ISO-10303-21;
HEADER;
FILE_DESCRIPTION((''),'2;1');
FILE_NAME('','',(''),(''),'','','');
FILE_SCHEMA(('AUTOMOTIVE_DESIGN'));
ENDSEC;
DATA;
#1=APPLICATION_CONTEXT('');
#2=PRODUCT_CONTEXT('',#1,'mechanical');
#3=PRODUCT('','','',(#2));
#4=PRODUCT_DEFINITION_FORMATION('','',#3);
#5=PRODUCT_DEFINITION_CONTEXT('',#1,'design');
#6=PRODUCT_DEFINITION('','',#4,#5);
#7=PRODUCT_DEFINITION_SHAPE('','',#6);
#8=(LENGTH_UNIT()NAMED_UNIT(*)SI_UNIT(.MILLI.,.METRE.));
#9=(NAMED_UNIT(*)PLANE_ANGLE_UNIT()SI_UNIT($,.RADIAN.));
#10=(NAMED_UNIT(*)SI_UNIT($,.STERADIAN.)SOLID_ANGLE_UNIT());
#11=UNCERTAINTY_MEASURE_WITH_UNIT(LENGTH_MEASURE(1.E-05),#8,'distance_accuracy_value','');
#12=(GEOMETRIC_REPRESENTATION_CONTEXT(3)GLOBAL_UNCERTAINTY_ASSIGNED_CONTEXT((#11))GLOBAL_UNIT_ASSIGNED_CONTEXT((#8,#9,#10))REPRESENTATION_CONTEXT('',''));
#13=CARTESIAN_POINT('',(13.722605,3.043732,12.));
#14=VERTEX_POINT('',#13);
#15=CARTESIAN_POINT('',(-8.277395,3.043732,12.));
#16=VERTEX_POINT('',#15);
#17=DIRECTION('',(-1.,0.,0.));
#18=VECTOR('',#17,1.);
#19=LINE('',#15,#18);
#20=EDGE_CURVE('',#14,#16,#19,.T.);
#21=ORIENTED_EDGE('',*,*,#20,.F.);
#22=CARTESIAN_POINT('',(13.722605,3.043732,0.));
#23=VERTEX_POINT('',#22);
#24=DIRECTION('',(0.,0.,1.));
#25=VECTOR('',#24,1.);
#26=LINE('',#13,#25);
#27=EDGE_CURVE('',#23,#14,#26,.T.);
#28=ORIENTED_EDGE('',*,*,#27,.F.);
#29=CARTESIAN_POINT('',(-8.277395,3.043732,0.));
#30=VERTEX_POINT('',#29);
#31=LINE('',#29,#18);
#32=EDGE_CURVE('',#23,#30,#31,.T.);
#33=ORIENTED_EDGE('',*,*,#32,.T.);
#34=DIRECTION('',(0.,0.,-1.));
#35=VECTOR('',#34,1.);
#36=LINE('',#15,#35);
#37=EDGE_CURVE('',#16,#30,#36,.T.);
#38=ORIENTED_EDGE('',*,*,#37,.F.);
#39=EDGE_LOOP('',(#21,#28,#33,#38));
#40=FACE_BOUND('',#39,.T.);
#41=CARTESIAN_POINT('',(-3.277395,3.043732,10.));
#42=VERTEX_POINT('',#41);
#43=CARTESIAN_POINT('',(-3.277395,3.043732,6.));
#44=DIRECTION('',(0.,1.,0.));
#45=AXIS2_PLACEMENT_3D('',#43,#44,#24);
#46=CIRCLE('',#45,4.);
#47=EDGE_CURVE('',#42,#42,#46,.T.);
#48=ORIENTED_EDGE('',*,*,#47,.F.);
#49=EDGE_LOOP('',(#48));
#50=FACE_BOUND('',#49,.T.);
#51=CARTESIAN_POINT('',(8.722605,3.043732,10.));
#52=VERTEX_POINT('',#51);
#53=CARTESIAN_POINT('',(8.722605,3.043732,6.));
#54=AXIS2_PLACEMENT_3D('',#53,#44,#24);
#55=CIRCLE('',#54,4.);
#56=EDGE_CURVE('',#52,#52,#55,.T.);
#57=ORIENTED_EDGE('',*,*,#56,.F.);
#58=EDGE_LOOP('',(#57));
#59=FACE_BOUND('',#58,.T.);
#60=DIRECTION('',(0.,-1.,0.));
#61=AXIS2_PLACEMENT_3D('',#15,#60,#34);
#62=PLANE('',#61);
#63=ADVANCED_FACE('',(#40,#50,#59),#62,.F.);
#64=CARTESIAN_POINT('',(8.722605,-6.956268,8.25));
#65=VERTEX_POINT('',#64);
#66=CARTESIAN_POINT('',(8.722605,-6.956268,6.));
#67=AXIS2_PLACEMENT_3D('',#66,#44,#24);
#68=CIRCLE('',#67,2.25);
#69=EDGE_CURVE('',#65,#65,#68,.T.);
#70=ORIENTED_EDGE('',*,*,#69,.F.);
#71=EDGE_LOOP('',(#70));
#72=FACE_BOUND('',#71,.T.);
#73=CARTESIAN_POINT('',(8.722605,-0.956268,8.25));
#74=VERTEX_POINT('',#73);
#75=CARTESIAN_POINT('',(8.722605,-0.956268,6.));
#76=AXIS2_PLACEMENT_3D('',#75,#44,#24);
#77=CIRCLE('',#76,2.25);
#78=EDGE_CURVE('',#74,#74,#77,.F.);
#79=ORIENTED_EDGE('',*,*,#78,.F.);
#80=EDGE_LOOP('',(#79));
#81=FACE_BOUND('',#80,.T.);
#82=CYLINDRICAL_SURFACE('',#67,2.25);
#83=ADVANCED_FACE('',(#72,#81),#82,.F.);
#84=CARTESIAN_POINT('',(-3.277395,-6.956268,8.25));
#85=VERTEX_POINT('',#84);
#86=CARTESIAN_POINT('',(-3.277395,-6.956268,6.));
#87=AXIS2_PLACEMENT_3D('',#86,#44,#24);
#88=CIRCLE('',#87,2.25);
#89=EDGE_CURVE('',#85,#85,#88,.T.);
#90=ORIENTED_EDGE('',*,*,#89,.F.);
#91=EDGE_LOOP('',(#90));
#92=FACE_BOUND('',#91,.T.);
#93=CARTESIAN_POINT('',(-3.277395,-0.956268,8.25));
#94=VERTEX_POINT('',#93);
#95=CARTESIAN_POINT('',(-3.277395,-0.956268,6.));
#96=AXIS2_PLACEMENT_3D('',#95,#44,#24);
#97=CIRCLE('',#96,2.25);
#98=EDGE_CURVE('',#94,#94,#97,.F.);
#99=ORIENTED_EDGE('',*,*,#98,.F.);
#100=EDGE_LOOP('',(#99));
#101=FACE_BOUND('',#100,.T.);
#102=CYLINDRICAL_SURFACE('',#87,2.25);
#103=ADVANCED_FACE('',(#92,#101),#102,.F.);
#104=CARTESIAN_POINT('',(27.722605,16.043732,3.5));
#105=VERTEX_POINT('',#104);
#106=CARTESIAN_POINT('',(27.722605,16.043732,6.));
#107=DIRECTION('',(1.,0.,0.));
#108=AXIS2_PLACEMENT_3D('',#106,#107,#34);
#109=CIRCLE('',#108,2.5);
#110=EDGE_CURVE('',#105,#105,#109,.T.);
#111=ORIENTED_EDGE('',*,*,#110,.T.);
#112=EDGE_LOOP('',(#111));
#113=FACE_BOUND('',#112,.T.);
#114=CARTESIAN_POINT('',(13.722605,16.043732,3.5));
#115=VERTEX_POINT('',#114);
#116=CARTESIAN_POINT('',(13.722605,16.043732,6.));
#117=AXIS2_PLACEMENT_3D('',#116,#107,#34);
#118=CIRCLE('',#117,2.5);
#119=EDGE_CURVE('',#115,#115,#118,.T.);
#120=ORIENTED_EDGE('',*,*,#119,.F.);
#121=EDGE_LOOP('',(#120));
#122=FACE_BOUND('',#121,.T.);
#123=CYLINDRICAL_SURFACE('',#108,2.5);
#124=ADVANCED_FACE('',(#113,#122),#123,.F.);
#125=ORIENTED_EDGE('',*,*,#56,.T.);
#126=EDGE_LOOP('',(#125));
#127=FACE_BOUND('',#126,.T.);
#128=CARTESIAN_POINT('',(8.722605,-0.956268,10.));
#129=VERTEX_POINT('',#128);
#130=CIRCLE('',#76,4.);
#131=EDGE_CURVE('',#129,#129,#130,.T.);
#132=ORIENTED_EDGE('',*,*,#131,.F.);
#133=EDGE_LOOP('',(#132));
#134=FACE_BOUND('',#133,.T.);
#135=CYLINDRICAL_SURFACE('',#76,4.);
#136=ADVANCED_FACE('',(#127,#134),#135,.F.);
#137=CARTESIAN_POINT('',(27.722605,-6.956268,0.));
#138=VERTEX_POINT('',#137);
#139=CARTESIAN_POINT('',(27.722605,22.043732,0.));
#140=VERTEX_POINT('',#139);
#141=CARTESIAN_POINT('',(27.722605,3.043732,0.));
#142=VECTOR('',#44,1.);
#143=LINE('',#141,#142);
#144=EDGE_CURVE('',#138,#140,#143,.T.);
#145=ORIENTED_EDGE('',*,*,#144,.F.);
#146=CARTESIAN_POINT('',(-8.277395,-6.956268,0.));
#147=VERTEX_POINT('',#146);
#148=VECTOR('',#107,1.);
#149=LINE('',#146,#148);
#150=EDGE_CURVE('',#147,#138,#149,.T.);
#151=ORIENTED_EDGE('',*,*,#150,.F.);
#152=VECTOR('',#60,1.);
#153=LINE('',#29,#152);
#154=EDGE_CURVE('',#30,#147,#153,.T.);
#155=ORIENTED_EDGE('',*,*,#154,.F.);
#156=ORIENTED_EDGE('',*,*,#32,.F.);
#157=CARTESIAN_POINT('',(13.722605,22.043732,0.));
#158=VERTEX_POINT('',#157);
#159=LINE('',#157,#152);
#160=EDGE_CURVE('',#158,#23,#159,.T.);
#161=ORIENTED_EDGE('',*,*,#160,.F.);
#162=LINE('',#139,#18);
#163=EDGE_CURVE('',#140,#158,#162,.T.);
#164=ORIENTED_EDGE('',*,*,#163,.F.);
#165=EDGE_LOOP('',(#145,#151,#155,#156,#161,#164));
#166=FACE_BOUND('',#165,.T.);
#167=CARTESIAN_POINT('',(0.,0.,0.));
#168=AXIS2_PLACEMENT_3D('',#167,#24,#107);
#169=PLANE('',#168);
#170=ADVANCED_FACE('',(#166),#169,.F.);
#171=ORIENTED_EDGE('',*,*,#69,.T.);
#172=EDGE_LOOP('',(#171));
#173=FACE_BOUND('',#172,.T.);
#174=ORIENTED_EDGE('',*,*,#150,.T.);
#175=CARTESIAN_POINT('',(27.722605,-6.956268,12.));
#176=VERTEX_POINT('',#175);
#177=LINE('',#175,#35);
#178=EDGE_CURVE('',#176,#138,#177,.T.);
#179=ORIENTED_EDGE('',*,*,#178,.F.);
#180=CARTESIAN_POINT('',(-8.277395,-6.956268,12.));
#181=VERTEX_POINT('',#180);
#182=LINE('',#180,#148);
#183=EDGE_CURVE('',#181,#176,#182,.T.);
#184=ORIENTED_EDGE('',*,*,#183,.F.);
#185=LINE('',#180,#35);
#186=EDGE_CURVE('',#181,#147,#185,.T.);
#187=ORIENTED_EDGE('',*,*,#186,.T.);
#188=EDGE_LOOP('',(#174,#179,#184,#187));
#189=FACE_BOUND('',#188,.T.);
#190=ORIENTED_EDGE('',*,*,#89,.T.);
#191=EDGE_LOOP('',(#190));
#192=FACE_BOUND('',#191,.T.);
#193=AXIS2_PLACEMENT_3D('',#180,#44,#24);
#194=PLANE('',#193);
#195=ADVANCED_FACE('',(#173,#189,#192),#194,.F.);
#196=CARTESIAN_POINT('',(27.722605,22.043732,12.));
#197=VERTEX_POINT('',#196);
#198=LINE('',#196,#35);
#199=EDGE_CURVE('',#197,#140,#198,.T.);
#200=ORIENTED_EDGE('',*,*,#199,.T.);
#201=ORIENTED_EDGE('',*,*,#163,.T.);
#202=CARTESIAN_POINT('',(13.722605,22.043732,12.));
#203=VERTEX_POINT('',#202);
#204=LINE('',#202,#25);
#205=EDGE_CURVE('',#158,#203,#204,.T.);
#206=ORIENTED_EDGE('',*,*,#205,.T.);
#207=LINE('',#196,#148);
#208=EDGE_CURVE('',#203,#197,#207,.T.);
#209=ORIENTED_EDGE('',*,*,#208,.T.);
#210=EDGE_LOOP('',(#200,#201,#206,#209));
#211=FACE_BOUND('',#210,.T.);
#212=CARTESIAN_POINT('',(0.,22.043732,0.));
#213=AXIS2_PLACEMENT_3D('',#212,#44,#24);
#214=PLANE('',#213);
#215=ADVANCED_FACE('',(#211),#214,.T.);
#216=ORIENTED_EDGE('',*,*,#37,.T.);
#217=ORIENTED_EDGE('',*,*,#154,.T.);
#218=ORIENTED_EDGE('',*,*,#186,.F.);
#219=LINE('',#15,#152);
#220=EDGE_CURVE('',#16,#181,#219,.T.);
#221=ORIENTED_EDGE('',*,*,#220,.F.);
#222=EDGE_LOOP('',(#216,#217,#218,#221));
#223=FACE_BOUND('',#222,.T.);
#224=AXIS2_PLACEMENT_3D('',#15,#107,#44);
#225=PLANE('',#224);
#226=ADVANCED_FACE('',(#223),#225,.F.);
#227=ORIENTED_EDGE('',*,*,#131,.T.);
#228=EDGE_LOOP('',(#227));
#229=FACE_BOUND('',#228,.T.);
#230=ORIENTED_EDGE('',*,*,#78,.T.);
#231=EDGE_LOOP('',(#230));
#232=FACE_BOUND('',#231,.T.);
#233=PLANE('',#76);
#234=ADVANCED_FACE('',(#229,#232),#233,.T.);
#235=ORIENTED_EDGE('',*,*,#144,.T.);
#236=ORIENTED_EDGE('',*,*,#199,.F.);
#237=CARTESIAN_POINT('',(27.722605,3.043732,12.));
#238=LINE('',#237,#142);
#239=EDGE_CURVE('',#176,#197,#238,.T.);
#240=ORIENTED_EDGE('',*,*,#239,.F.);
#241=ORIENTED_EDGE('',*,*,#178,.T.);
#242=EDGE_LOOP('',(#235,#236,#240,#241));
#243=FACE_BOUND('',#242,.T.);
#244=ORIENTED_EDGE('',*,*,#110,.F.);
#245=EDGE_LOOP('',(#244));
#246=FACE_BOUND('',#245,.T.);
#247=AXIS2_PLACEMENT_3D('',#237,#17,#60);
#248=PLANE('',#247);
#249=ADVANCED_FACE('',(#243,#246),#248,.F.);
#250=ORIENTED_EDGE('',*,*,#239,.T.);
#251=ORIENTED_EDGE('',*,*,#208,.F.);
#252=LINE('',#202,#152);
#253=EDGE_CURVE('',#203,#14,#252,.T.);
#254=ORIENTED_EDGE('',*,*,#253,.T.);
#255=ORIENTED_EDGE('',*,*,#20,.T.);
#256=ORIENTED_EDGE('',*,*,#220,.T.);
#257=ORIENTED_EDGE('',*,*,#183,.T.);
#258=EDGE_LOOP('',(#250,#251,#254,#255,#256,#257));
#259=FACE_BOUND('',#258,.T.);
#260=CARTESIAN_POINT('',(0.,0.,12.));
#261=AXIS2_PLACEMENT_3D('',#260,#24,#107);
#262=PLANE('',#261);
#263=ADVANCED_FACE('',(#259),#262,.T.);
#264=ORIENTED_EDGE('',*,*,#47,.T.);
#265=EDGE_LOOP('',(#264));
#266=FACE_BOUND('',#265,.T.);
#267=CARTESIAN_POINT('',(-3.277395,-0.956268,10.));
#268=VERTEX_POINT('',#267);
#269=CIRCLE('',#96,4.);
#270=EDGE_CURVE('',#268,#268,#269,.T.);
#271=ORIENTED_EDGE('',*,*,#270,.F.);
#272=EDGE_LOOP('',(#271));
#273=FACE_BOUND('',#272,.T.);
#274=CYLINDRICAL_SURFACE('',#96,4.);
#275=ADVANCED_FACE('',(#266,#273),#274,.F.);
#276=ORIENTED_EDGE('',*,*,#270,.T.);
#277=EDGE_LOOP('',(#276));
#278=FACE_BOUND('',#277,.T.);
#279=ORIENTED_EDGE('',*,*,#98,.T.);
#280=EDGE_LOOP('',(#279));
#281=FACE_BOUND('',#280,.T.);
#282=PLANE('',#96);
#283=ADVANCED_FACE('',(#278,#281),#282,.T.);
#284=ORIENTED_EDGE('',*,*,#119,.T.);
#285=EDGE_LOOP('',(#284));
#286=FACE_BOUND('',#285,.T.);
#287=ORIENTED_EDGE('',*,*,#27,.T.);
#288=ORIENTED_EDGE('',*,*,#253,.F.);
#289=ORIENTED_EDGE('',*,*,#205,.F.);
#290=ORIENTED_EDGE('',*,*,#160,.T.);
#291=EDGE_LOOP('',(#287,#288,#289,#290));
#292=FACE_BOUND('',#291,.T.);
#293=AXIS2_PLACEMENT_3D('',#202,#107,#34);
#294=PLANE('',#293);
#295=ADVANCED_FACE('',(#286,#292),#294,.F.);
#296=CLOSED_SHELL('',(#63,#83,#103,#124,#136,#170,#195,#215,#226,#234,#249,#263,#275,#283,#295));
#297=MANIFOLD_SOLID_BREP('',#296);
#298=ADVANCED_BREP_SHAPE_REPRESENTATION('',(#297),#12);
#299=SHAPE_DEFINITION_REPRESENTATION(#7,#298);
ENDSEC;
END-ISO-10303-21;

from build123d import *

# Parameters (mm, degrees)
SKETCH1_W           = 36
SKETCH1_H           = 10
BOSS_EXTRUDE1_DEPTH = 12
SKETCH2_W           = 14
SKETCH2_H           = 12
BOSS_EXTRUDE2_DEPTH = 19
SKETCH3_R           = 2.25
CUT_EXTRUDE1_DEPTH  = 11
SKETCH4_R           = 4
CUT_EXTRUDE2_DEPTH  = 4
M6_TAPPED_HOLE1_D   = 5


with BuildPart() as part:
    # Sketch1 → Boss-Extrude1 (new body)
    with BuildSketch(Plane.XY):
        with Locations((9.722605043, -1.956268222)):
            Rectangle(SKETCH1_W, SKETCH1_H)
    extrude(amount=BOSS_EXTRUDE1_DEPTH)

    # Sketch2 → Boss-Extrude2 (add)
    with BuildSketch(Plane(origin=(0, 3.043731778, 0), x_dir=(1, 0, 0), z_dir=(0, 1, 0))):
        with Locations((20.722605043, -6)):
            Rectangle(SKETCH2_W, SKETCH2_H)
    extrude(amount=BOSS_EXTRUDE2_DEPTH)

    # Sketch3 → Cut-Extrude1 (cut, through all)
    with BuildSketch(Plane(origin=(0, 3.043731778, 0), x_dir=(1, 0, 0), z_dir=(0, 1, 0))):
        with Locations((-3.277394957, -6)):
            Circle(SKETCH3_R)
        with Locations((8.722605043, -6)):
            Circle(SKETCH3_R)
    extrude(amount=-CUT_EXTRUDE1_DEPTH, mode=Mode.SUBTRACT)

    # Sketch4 → Cut-Extrude2 (cut)
    with BuildSketch(Plane(origin=(0, 3.043731778, 0), x_dir=(1, 0, 0), z_dir=(0, 1, 0))):
        with Locations((-3.277394957, -6)):
            Circle(SKETCH4_R)
        with Locations((8.722605043, -6)):
            Circle(SKETCH4_R)
    extrude(amount=-CUT_EXTRUDE2_DEPTH, mode=Mode.SUBTRACT)

    # M6 Tapped Hole1 (through all)
    with Locations(Plane(origin=(27.722605043, 0, 0), x_dir=(0, 0, -1), z_dir=(1, 0, 0))):
        with Locations((-6, 16.043731778)):
            Hole(M6_TAPPED_HOLE1_D / 2)


solid = part.part
